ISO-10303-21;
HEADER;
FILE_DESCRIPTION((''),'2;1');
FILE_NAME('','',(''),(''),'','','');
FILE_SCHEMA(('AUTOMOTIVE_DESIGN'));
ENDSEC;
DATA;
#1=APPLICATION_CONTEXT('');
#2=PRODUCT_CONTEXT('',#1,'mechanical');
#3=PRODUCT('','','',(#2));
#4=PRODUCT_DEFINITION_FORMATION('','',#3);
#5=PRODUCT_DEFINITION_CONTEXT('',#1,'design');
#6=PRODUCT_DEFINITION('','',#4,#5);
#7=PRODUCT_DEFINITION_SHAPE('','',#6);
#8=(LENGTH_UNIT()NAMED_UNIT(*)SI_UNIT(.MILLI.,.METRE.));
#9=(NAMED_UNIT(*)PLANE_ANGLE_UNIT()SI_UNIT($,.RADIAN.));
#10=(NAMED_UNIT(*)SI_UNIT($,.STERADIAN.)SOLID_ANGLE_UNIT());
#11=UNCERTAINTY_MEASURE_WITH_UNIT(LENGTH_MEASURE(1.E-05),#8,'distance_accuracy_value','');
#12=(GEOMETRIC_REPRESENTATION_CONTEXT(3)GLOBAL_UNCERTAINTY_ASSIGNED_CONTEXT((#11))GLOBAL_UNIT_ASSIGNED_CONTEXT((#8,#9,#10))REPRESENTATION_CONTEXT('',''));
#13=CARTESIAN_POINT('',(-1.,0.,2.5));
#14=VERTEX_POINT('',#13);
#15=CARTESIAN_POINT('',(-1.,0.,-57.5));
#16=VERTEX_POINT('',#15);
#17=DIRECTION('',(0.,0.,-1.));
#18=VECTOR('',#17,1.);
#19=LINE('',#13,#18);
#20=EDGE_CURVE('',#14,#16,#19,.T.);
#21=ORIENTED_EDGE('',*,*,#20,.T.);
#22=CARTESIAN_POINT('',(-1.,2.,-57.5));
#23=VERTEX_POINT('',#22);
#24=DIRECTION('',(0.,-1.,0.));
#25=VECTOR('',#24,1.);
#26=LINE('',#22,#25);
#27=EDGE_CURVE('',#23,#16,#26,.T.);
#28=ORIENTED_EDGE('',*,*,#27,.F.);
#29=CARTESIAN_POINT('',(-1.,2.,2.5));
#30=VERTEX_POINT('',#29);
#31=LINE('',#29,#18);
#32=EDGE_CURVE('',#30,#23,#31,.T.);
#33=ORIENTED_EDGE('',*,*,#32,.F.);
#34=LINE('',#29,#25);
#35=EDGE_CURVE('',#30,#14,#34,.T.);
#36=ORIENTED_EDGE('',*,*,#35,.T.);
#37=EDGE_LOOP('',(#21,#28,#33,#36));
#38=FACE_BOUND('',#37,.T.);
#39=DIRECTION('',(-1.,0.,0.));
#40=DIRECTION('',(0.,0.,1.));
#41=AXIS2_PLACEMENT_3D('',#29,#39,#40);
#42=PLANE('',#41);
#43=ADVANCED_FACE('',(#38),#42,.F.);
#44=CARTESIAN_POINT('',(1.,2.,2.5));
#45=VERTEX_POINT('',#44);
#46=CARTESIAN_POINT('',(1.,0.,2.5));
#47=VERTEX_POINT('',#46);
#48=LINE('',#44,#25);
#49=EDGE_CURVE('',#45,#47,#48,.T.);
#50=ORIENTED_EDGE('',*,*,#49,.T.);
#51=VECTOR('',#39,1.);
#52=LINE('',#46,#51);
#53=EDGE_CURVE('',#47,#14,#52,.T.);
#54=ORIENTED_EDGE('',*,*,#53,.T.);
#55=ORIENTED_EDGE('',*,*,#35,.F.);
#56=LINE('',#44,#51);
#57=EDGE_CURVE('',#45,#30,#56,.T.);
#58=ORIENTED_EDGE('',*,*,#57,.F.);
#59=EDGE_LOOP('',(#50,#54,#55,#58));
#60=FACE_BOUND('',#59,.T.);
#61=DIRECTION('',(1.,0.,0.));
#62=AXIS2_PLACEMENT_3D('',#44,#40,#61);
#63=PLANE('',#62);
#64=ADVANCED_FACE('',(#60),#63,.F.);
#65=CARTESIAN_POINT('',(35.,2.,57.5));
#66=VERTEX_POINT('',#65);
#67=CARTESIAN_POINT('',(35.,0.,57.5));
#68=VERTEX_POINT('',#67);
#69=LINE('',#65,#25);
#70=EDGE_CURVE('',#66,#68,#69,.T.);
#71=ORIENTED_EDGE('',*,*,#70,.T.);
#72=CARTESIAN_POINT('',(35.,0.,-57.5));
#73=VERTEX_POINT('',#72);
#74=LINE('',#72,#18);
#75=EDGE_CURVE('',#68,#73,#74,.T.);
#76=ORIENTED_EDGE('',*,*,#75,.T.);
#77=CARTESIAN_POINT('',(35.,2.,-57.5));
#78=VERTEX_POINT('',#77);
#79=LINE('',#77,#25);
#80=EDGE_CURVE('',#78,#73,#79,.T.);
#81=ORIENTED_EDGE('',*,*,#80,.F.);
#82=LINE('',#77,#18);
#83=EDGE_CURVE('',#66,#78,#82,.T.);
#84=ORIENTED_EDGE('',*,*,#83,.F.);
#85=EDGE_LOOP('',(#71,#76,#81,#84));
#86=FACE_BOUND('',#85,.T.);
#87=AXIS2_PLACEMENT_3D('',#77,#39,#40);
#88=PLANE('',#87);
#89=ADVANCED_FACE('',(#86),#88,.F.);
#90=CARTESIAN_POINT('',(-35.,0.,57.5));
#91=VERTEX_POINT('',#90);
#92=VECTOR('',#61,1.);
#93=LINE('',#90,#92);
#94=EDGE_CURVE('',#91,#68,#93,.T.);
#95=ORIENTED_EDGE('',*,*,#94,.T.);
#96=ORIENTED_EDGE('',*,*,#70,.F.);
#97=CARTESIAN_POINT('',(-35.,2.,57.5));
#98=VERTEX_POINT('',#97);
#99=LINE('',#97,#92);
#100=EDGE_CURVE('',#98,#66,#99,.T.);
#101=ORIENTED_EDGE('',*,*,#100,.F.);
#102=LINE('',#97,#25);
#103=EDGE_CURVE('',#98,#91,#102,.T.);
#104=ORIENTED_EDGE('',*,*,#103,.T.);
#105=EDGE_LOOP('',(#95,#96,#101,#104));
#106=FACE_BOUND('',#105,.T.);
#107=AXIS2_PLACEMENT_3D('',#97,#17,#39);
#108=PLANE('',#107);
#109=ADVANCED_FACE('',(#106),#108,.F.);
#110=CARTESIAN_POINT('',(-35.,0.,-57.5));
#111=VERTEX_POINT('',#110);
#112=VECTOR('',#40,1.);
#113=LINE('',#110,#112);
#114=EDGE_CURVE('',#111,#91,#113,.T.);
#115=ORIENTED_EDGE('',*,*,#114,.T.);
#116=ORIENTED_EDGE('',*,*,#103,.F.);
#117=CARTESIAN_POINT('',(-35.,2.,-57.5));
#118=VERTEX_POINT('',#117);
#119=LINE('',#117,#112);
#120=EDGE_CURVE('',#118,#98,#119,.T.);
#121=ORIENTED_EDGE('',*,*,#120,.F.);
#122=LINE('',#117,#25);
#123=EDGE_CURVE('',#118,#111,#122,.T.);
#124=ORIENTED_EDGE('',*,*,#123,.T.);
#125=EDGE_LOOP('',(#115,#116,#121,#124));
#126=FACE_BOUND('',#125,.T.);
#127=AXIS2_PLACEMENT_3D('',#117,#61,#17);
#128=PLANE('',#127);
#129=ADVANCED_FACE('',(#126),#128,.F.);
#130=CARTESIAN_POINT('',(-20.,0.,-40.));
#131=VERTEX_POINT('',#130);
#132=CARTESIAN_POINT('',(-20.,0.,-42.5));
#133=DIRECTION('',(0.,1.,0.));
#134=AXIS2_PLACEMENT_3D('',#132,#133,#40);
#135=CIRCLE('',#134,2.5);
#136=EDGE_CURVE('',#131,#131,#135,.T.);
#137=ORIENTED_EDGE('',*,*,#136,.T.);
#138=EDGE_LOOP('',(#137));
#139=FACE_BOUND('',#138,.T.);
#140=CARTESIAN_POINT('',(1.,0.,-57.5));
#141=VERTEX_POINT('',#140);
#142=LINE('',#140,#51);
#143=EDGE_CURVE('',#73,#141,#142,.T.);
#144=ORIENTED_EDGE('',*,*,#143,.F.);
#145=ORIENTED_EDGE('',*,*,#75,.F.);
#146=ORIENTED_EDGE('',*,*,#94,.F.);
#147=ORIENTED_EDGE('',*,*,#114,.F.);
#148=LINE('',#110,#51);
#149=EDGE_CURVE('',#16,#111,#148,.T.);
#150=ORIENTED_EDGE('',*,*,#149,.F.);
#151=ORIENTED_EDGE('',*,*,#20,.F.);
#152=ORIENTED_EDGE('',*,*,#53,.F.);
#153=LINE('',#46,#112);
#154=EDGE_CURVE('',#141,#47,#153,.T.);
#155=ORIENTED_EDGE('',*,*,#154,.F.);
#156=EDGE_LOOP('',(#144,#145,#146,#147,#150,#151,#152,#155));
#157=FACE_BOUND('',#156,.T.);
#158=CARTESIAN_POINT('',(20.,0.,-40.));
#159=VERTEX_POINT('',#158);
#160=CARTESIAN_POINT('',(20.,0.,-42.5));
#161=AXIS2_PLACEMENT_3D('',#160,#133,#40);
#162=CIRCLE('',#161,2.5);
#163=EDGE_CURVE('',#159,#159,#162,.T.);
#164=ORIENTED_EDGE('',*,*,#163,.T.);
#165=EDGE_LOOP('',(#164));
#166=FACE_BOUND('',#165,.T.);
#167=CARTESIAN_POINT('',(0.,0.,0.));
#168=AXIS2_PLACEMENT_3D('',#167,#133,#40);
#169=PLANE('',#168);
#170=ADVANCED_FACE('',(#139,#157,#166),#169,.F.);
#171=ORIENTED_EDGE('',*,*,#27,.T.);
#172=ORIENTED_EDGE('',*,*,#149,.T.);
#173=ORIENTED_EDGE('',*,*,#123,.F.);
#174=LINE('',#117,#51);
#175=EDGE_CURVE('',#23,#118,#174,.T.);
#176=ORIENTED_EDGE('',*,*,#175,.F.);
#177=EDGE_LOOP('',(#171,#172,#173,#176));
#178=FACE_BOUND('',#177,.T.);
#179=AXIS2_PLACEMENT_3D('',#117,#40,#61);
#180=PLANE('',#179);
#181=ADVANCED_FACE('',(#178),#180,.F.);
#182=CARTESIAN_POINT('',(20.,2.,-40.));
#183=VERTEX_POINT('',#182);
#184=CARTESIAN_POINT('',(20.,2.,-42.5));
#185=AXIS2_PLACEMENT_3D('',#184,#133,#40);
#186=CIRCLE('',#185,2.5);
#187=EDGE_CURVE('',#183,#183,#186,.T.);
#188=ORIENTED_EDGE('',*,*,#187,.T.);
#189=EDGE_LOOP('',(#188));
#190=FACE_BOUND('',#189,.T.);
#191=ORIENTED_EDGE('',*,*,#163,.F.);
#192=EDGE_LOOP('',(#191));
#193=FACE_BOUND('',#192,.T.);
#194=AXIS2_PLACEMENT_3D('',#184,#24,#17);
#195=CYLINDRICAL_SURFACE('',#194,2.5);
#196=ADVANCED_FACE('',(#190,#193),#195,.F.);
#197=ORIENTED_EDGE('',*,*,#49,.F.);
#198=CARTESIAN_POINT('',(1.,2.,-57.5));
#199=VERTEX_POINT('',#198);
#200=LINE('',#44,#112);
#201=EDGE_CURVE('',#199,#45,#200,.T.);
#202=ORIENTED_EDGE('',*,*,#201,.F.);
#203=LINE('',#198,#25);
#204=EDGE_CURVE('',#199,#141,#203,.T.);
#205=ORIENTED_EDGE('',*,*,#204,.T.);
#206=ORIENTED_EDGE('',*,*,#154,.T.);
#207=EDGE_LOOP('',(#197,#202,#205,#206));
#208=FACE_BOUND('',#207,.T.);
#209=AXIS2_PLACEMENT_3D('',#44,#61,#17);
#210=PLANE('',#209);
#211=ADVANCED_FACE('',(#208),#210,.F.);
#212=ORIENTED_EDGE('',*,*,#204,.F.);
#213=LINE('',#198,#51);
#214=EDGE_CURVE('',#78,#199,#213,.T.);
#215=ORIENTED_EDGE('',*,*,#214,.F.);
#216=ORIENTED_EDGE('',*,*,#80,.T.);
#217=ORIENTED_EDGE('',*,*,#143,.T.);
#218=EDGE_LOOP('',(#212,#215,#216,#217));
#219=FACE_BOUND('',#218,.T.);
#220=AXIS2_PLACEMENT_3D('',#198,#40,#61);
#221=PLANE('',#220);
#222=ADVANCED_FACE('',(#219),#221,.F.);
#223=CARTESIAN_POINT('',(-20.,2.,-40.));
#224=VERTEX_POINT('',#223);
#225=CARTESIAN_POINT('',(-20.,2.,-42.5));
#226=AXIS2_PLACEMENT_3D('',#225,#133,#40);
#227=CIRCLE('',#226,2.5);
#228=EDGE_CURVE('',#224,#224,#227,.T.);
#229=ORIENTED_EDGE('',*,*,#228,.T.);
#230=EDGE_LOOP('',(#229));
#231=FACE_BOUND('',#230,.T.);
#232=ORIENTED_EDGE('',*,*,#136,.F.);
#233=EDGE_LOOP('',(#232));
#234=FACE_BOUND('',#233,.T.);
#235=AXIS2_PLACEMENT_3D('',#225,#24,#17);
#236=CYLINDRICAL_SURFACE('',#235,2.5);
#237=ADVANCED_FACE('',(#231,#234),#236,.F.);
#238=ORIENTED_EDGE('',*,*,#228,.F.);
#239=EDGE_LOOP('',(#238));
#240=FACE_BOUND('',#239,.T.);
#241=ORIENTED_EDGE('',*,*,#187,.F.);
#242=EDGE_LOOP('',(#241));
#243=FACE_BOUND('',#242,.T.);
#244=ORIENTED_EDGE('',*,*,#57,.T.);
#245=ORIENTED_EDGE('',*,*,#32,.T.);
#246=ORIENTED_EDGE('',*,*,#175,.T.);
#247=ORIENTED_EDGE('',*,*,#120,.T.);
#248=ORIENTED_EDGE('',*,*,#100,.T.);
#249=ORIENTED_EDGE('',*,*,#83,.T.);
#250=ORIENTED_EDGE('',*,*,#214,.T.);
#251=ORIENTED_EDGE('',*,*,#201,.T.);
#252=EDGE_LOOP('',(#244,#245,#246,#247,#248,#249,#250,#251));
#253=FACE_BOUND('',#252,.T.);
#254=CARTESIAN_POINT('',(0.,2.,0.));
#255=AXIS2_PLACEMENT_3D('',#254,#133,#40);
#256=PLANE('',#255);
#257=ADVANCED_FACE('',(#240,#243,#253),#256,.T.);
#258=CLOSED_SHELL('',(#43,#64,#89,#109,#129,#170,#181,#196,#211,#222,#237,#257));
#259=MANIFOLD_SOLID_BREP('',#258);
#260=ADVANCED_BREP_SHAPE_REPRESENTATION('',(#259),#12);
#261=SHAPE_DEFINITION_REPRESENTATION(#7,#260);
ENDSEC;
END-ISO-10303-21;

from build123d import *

# Parameters (mm, degrees)
SKETCH1_R           = 2.5
BOSS_EXTRUDE1_DEPTH = 2


with BuildPart() as part:
    # Sketch1 → Boss-Extrude1 (new body)
    with BuildSketch(Plane(origin=(0, 0, 0), x_dir=(1, 0, 0), z_dir=(0, 1, 0))):
        Polygon((1, 57.5), (35, 57.5), (35, -57.5), (-35, -57.5), (-35, 57.5), (-1, 57.5), (-1, -2.5), (1, -2.5), align=None)
        with Locations(Location((-20, 42.5, 0), (0, 0, 270))):
            Circle(SKETCH1_R, mode=Mode.SUBTRACT)
        with Locations(Location((20, 42.5, 0), (0, 0, 270))):
            Circle(SKETCH1_R, mode=Mode.SUBTRACT)
    extrude(amount=BOSS_EXTRUDE1_DEPTH)


solid = part.part
